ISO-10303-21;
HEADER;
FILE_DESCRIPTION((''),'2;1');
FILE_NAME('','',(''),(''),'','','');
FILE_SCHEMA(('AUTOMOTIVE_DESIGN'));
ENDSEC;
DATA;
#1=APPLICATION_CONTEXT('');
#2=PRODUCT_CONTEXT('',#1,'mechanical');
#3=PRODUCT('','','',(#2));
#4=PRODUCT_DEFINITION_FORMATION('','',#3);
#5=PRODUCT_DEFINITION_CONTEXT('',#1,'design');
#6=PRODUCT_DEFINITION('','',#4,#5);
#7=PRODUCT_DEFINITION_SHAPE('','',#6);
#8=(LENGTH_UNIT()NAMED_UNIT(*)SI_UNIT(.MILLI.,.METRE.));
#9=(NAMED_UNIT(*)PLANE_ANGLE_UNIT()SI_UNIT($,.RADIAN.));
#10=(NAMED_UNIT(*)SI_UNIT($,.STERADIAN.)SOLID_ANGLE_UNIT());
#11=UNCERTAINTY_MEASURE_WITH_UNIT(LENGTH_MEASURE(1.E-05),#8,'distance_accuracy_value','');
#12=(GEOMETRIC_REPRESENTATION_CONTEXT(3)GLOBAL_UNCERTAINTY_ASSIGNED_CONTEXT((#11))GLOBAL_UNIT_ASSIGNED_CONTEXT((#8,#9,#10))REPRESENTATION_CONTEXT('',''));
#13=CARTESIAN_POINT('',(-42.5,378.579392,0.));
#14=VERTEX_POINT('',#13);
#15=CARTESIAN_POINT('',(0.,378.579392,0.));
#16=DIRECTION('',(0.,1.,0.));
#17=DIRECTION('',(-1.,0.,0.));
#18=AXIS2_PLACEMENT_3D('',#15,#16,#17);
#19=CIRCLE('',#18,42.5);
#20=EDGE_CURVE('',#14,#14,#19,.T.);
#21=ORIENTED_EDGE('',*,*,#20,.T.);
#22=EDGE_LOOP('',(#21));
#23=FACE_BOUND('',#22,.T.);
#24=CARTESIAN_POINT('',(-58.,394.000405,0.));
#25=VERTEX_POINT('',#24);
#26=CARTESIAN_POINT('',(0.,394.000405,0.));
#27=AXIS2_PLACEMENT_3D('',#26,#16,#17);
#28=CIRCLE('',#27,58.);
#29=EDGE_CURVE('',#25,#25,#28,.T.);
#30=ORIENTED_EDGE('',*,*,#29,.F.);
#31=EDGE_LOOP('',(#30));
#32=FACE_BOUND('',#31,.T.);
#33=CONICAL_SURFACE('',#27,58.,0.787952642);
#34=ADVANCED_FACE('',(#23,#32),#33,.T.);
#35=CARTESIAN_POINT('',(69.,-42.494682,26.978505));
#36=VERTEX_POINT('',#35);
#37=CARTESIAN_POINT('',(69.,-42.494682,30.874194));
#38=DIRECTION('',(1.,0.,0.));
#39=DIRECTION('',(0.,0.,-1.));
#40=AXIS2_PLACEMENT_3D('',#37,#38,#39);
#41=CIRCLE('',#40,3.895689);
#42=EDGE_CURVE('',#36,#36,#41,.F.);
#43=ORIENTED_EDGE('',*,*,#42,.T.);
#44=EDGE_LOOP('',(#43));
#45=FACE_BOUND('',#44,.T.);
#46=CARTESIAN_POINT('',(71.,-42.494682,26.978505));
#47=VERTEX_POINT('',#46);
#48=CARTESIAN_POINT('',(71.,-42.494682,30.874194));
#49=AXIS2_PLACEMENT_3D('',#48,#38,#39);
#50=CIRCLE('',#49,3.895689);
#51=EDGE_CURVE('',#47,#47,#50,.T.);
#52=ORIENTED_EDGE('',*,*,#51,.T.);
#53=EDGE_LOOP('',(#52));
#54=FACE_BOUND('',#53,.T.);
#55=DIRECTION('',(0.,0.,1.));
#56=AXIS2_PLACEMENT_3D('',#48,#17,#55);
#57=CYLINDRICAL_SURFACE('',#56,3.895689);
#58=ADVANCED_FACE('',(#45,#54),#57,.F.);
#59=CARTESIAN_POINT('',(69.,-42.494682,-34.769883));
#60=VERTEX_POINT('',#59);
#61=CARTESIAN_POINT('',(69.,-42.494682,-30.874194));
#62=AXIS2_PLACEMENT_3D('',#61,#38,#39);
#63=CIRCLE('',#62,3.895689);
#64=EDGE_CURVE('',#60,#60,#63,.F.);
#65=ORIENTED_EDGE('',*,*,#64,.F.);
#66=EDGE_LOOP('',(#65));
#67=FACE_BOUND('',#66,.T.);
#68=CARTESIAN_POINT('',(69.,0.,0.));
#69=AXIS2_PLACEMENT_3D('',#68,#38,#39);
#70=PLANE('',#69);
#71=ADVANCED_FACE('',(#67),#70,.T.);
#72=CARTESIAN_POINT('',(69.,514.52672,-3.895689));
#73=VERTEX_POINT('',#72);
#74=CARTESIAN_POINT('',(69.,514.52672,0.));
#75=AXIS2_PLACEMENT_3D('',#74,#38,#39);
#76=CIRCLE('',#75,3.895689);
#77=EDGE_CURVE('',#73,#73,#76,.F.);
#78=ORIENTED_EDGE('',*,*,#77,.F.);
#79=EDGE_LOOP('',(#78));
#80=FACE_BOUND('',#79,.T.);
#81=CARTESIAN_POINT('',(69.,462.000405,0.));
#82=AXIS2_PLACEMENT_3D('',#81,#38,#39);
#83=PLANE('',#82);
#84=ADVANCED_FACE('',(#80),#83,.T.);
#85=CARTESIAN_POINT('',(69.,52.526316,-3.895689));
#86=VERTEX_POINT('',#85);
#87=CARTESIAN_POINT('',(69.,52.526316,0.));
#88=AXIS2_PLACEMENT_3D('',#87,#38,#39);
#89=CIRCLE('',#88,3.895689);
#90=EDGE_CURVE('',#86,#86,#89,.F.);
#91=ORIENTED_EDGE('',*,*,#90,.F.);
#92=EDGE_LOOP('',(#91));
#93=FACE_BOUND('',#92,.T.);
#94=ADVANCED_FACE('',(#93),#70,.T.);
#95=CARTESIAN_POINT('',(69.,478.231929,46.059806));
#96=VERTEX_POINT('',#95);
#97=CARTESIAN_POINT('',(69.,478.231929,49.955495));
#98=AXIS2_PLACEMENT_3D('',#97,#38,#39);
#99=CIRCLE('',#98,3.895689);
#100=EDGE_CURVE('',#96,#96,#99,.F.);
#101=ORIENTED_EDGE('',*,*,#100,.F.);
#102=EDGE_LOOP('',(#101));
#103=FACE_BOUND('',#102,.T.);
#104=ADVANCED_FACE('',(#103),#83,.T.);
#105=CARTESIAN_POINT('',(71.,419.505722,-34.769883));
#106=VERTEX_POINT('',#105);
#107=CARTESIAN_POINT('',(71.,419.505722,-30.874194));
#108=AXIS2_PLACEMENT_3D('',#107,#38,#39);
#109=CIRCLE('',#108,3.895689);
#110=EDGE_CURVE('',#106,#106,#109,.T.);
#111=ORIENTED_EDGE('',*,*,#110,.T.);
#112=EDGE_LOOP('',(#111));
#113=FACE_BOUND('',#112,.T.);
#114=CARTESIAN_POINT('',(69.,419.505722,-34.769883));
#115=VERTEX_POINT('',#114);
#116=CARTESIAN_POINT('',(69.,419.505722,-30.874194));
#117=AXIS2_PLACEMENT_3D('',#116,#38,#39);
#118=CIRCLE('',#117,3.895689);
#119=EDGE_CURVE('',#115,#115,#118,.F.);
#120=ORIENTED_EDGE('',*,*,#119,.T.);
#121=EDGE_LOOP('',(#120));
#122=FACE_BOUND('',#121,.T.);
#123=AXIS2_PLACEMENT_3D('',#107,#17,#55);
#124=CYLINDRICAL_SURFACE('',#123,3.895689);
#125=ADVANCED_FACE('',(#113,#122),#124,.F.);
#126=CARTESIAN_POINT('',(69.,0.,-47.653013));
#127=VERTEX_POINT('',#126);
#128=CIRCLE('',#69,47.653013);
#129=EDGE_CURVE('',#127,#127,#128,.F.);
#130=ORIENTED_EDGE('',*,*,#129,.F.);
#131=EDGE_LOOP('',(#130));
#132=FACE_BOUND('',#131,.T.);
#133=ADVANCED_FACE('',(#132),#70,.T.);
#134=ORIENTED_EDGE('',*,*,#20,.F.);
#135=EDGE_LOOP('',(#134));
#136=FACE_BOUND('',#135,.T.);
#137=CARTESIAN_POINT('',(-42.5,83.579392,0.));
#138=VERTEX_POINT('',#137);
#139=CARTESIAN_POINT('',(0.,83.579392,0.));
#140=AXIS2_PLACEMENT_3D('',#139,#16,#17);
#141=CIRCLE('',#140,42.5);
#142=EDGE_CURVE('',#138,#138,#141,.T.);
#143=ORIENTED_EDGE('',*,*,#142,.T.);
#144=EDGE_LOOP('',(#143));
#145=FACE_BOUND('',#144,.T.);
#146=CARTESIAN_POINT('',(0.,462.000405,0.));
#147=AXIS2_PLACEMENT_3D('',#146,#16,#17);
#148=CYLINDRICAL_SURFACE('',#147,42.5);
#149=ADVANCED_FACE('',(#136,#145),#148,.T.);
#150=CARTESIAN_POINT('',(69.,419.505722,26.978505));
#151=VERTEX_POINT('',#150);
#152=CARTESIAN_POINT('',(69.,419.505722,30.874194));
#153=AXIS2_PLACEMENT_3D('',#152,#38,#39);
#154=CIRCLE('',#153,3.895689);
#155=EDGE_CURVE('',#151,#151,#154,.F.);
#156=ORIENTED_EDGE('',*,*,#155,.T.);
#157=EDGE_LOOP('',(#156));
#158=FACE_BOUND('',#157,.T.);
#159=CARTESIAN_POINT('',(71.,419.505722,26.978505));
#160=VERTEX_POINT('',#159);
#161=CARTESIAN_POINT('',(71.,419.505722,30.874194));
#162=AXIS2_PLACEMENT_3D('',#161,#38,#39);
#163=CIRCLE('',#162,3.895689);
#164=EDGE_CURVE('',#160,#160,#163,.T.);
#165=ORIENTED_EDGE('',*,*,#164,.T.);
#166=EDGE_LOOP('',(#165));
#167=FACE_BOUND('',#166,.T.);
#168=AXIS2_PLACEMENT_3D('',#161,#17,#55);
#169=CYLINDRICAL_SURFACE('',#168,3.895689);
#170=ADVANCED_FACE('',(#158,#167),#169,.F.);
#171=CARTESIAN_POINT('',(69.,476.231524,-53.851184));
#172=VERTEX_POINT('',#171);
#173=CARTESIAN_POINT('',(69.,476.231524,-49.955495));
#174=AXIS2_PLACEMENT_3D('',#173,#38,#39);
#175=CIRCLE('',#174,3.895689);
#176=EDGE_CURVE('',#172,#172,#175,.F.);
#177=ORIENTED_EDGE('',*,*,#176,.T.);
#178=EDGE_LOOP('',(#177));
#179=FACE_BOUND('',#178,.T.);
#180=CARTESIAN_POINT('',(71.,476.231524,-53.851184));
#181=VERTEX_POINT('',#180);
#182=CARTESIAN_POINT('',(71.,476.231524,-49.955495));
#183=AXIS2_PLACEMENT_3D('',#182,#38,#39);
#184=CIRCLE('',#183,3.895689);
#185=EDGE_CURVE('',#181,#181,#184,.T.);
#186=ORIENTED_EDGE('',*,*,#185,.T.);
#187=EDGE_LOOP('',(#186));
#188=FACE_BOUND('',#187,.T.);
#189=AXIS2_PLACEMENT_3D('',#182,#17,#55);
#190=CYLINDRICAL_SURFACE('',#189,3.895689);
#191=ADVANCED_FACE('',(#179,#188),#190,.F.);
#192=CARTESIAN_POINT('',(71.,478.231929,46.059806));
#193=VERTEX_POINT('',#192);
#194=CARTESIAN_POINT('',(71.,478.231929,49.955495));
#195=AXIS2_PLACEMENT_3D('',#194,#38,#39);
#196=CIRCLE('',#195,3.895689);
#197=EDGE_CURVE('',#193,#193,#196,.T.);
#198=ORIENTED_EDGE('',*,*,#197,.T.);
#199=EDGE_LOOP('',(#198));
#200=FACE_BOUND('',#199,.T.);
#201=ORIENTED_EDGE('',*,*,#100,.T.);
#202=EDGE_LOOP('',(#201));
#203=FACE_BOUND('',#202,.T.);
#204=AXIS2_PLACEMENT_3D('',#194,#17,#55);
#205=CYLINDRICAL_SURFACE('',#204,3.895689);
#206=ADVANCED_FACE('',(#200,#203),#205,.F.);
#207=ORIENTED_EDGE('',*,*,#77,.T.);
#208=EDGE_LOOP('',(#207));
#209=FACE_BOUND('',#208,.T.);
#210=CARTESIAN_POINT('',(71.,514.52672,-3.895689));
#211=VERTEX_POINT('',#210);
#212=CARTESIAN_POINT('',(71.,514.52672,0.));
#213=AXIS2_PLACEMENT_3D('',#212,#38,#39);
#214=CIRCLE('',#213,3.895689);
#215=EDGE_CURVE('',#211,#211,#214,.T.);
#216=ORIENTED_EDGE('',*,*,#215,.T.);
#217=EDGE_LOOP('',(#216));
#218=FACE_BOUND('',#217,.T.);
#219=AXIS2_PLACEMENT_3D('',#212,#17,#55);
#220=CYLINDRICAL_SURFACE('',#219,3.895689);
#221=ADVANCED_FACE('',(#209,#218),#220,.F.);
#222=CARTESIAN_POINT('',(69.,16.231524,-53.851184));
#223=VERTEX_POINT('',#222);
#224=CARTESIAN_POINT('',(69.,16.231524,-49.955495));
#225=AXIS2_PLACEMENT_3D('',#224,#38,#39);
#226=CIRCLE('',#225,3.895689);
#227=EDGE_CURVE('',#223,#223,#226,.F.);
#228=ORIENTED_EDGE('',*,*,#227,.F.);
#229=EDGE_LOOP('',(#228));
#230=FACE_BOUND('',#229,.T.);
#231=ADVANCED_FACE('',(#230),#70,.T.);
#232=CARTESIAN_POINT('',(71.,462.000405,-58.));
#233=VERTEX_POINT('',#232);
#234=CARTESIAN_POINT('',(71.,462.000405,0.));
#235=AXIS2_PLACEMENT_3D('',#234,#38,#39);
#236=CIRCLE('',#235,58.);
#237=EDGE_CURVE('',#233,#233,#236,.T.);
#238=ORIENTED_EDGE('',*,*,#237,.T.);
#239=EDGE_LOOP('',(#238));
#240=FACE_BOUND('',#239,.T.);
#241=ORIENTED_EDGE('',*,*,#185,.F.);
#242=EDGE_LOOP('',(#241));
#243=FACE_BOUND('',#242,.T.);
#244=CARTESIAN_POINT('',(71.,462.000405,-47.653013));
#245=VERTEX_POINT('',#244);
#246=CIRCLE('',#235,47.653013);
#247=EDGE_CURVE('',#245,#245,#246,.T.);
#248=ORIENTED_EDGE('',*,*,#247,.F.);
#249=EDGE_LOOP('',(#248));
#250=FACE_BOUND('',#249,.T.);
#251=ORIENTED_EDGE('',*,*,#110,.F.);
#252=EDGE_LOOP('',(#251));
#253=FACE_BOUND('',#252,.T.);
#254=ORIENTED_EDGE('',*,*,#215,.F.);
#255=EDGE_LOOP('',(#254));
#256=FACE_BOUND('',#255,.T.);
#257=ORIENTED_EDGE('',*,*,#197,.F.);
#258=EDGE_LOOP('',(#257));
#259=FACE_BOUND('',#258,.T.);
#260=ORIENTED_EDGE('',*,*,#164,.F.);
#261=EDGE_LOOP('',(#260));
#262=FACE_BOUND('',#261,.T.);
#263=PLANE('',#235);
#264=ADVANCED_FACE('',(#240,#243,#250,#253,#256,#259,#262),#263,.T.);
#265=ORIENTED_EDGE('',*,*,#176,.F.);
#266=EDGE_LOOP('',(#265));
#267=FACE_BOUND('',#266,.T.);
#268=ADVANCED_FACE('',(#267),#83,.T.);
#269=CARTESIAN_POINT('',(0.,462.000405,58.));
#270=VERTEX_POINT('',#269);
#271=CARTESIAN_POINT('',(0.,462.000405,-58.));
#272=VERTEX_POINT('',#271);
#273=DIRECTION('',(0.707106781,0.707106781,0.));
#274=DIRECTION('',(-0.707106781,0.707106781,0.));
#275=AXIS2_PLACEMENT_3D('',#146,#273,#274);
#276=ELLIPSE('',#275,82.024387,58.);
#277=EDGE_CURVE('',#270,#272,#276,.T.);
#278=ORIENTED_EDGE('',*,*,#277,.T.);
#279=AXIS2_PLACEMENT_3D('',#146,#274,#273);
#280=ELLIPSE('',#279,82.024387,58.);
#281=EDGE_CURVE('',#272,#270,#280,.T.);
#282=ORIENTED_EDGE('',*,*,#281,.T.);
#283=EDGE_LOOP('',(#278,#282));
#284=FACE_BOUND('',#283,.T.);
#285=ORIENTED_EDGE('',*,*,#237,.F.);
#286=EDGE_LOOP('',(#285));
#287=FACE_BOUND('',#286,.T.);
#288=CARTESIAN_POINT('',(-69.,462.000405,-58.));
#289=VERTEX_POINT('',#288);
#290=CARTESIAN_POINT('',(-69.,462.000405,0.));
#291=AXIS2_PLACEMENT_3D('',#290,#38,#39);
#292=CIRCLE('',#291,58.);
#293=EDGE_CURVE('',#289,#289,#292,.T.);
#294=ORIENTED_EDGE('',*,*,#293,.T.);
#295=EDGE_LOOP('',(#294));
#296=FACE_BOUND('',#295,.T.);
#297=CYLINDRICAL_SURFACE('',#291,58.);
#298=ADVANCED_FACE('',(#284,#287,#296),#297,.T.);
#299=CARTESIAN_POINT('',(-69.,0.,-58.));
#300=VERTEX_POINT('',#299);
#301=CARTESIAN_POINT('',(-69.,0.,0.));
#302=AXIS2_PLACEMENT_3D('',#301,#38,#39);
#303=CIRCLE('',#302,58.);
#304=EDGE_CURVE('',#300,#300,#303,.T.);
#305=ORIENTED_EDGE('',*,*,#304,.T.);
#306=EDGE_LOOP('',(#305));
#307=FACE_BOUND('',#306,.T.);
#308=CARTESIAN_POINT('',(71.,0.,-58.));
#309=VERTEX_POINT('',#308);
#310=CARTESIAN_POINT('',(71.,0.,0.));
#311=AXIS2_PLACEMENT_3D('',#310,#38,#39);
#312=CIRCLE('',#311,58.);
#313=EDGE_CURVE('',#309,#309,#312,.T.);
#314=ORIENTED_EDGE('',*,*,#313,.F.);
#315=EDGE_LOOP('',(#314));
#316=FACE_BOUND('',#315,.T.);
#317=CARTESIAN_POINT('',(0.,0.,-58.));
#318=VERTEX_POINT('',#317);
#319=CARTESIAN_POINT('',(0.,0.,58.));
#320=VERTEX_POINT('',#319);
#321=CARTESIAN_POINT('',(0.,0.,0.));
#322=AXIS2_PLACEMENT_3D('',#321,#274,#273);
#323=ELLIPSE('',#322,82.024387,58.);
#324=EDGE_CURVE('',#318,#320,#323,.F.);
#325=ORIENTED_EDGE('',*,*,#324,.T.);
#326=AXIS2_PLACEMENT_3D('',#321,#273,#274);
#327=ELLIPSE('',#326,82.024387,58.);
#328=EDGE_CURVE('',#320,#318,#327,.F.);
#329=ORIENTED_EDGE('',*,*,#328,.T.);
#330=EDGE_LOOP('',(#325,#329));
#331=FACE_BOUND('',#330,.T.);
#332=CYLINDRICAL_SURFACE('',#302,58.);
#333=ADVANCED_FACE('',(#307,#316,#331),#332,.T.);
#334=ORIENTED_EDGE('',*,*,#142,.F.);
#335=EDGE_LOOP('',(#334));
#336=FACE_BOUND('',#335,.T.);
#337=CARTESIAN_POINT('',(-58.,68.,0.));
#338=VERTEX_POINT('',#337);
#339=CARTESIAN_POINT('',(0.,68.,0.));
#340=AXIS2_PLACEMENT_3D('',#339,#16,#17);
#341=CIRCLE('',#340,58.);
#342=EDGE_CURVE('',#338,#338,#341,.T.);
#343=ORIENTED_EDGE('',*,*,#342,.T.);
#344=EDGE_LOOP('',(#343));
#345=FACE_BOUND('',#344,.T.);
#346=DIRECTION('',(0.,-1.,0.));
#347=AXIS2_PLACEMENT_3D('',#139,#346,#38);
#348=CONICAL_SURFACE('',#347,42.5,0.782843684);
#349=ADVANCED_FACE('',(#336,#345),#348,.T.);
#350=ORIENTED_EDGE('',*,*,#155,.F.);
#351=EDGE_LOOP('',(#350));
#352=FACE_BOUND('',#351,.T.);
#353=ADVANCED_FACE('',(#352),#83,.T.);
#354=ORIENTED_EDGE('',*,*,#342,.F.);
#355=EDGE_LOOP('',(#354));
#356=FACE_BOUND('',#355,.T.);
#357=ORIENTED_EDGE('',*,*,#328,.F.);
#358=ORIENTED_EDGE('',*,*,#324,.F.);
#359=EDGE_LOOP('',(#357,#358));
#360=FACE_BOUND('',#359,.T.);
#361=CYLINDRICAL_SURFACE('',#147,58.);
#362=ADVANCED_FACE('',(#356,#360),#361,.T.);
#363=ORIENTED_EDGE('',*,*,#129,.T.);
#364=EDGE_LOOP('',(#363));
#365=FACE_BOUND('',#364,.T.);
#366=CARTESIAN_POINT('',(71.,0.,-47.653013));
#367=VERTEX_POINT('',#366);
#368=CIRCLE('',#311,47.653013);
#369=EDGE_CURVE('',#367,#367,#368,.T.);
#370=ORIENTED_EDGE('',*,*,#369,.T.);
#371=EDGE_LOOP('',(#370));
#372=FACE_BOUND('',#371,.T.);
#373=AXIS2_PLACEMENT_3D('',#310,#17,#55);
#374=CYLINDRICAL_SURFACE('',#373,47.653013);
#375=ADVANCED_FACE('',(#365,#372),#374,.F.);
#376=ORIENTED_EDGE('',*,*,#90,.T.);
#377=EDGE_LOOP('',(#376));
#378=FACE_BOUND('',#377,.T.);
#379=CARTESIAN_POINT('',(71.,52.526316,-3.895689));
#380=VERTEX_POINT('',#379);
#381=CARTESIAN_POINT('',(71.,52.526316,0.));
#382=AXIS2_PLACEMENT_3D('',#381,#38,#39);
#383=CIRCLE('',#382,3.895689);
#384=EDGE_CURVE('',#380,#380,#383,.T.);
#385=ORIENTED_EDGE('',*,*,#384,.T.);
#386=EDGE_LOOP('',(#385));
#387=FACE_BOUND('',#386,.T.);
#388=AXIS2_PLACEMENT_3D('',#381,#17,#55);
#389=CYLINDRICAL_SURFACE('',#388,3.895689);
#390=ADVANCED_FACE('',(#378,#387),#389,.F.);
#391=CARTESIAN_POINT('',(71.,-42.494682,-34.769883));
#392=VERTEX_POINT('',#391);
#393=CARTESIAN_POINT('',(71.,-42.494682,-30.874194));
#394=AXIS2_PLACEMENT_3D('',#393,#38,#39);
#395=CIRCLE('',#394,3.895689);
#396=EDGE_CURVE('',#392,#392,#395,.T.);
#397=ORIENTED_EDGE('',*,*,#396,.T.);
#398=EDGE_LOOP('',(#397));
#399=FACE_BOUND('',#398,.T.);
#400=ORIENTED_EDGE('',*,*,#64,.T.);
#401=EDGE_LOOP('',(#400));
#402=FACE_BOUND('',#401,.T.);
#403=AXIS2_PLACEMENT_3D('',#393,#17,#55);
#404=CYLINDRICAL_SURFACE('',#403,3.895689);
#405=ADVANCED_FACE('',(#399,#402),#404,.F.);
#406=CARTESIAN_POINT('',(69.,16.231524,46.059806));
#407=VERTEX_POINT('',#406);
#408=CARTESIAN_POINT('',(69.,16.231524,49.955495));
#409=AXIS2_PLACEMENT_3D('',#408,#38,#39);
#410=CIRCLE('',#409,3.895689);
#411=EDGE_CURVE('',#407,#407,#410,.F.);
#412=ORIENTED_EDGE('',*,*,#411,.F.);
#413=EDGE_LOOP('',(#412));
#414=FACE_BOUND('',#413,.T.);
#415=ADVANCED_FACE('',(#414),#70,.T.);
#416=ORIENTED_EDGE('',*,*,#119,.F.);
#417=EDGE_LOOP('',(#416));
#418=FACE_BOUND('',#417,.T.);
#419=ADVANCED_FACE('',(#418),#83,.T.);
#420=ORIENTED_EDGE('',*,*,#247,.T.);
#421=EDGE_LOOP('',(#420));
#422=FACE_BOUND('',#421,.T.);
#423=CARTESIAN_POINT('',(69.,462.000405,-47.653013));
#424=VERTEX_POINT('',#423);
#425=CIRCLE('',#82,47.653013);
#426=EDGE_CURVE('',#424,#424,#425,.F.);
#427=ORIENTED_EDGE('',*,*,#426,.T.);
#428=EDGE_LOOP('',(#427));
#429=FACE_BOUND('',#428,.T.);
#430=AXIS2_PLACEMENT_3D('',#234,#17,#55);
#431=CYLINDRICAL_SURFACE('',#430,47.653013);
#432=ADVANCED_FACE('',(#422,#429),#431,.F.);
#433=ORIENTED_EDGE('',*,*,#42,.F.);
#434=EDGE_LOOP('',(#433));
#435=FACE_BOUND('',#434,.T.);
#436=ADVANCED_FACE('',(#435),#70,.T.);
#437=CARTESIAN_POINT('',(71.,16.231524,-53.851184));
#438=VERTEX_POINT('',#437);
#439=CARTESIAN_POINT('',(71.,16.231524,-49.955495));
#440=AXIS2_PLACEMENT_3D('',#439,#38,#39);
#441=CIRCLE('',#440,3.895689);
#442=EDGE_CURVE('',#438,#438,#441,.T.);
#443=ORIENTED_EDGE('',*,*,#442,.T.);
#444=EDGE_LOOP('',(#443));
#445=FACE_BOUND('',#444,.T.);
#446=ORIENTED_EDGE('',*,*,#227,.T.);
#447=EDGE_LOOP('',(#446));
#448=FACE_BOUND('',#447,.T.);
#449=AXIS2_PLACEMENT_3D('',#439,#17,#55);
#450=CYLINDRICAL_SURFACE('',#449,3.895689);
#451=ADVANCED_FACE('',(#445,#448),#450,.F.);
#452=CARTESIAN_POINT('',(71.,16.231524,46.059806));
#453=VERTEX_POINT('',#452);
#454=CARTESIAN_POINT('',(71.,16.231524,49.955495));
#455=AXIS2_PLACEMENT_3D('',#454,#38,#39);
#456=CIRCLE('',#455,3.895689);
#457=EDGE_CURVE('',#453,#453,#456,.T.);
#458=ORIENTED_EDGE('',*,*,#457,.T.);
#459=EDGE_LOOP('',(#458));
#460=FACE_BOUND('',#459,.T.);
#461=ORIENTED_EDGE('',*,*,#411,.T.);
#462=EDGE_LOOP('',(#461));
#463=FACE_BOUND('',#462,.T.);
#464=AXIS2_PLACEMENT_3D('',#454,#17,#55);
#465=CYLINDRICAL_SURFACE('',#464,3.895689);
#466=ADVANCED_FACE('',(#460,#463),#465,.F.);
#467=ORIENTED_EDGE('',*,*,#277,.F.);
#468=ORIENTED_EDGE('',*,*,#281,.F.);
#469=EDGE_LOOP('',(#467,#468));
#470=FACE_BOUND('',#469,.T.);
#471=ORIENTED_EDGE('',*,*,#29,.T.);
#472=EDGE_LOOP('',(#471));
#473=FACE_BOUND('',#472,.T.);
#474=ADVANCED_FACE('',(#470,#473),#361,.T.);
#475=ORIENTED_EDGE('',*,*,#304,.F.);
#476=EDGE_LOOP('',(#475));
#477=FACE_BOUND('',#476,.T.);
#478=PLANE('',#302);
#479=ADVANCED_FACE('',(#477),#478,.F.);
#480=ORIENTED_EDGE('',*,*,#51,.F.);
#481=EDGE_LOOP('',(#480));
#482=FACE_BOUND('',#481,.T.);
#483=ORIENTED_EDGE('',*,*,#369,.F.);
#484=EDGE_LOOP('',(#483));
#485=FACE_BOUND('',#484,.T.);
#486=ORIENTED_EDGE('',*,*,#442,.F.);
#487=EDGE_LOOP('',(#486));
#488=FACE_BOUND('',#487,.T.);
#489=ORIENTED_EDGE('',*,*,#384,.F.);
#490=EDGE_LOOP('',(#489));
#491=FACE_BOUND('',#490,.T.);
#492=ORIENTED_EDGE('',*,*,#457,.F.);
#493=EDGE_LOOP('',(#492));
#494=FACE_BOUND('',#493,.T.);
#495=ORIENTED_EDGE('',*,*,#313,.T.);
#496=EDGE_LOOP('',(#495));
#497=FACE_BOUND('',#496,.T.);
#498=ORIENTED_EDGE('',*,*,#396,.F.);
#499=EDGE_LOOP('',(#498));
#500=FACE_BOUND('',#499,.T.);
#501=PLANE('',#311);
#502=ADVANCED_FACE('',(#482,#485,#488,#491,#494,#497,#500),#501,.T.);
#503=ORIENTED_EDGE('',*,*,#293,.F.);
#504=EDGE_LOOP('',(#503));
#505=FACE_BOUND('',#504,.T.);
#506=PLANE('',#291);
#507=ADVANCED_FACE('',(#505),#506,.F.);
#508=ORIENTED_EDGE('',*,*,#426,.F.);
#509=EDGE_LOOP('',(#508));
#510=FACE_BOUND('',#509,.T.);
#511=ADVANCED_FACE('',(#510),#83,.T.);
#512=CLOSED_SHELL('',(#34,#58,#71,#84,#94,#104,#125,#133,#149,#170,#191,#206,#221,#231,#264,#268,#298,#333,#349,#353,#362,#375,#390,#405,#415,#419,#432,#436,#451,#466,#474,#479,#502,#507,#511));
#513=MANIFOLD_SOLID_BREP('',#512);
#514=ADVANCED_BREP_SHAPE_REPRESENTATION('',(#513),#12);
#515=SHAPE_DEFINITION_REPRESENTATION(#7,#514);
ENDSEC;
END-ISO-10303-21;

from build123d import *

# Parameters (mm, degrees)
SALIENTE_EXTRUIR2_DEPTH      = 69
SALIENTE_EXTRUIR2_DEPTH_BACK = 69
CROQUIS3_R                   = 58
CROQUIS5_R                   = 58
CROQUIS5_R_2                 = 47.65301306
CROQUIS5_R_3                 = 3.895689101
SALIENTE_EXTRUIR3_DEPTH      = 2


with BuildPart() as part:
    # Croquis2 → Revolución1 (revolve)
    with BuildSketch(Plane.XY):
        Polygon((0, 0), (-58, 0), (-58, 68), (-42.5, 83.579391827), (-42.5, 378.579391827), (-58, 394.000404577), (-58, 462.000404577), (0, 462.000404577), align=None)
    revolve(axis=Axis((0, 462.000404577, 0), (0, -1, 0)))

    # Croquis3 → Saliente-Extruir2 (add, two sides: drawn at the far end of the back side and taken through both)
    with BuildSketch(Plane(origin=(0, 0, 0), x_dir=(0, 0, -1), z_dir=(1, 0, 0)).offset(-SALIENTE_EXTRUIR2_DEPTH_BACK)):
        with Locations((0, 462.000404577)):
            Circle(CROQUIS3_R)
        Circle(CROQUIS3_R)
    extrude(amount=SALIENTE_EXTRUIR2_DEPTH + SALIENTE_EXTRUIR2_DEPTH_BACK)

    # Croquis5 → Saliente-Extruir3 (add)
    # profile 1 of 2: a face of its own
    with BuildSketch(Plane(origin=(69, 0, 0), x_dir=(0, 0, -1), z_dir=(1, 0, 0))):
        Circle(CROQUIS5_R)
        Circle(CROQUIS5_R_2, mode=Mode.SUBTRACT)
        with Locations((0, 52.526315759)):
            Circle(CROQUIS5_R_3, mode=Mode.SUBTRACT)
        with Locations((49.95549488, 16.231524222)):
            Circle(CROQUIS5_R_3, mode=Mode.SUBTRACT)
        with Locations((30.874193761, -42.494682101)):
            Circle(CROQUIS5_R_3, mode=Mode.SUBTRACT)
        with Locations((-30.874193761, -42.494682101)):
            Circle(CROQUIS5_R_3, mode=Mode.SUBTRACT)
        with Locations((-49.95549488, 16.231524222)):
            Circle(CROQUIS5_R_3, mode=Mode.SUBTRACT)
    # profile 2 of 2: a face of its own
    with BuildSketch(Plane(origin=(69, 0, 0), x_dir=(0, 0, -1), z_dir=(1, 0, 0))):
        with Locations((0, 462.000404577)):
            Circle(CROQUIS5_R)
        with Locations((0, 462.000404577)):
            Circle(CROQUIS5_R_2, mode=Mode.SUBTRACT)
        with Locations((-49.95549488, 478.231928798)):
            Circle(CROQUIS5_R_3, mode=Mode.SUBTRACT)
        with Locations((0, 514.526720336)):
            Circle(CROQUIS5_R_3, mode=Mode.SUBTRACT)
        with Locations((30.874193761, 419.505722476)):
            Circle(CROQUIS5_R_3, mode=Mode.SUBTRACT)
        with Locations((-30.874193761, 419.505722476)):
            Circle(CROQUIS5_R_3, mode=Mode.SUBTRACT)
        with Locations((49.95549488, 476.231524222)):
            Circle(CROQUIS5_R_3, mode=Mode.SUBTRACT)
    extrude(amount=SALIENTE_EXTRUIR3_DEPTH)


solid = part.part
